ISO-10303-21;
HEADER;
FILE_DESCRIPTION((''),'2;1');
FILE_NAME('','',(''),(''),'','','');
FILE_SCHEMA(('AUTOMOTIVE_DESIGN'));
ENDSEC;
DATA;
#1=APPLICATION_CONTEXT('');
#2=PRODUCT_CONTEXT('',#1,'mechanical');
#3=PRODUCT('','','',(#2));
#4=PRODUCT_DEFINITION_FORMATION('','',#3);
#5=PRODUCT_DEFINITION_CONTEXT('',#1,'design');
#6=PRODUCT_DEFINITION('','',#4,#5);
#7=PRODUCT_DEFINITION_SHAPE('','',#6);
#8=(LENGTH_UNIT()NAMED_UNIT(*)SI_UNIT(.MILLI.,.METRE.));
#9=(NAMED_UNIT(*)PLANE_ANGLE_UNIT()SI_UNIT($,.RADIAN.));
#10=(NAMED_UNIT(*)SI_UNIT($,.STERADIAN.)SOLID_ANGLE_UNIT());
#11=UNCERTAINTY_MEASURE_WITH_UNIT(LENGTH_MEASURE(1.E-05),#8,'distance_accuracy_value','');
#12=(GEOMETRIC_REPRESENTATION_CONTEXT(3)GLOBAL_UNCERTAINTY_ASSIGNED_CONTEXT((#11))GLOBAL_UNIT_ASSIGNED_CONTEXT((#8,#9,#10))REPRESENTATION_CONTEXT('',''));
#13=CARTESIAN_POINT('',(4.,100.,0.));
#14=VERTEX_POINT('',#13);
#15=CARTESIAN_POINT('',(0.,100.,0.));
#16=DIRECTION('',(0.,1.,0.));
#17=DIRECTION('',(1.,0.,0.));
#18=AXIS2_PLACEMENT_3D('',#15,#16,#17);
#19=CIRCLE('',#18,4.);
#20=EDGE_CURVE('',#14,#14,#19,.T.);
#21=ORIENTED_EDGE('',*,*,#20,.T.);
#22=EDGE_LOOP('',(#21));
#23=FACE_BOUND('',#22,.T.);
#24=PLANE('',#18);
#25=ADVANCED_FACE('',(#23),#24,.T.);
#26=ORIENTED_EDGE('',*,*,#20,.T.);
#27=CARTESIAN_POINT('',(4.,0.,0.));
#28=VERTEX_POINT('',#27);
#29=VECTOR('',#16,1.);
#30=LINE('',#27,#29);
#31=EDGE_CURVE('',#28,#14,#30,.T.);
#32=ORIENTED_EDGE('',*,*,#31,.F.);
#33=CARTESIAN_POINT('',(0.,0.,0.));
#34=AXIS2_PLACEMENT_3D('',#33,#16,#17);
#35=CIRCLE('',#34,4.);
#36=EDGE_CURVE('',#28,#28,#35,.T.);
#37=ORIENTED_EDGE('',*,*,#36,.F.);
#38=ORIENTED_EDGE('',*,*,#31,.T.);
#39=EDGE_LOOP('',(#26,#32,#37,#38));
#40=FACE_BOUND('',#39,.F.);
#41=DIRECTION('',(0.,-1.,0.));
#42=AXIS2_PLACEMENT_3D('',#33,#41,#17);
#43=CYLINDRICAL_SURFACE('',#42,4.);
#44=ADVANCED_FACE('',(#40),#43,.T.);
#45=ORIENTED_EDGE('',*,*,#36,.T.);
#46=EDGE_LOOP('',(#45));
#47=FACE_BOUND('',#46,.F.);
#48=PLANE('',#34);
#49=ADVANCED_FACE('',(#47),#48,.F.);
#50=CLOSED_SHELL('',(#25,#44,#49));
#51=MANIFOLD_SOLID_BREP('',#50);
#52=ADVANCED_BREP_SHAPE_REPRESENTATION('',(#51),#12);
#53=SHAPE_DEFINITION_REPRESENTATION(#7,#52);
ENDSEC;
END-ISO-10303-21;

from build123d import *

# Parameters (mm, degrees)
SKETCH1_R           = 4
BOSS_EXTRUDE1_DEPTH = 100


with BuildPart() as part:
    # Sketch1 → Boss-Extrude1 (new body)
    with BuildSketch(Plane(origin=(0, 0, 0), x_dir=(1, 0, 0), z_dir=(0, 1, 0))):
        Circle(SKETCH1_R)
    extrude(amount=BOSS_EXTRUDE1_DEPTH)


solid = part.part
